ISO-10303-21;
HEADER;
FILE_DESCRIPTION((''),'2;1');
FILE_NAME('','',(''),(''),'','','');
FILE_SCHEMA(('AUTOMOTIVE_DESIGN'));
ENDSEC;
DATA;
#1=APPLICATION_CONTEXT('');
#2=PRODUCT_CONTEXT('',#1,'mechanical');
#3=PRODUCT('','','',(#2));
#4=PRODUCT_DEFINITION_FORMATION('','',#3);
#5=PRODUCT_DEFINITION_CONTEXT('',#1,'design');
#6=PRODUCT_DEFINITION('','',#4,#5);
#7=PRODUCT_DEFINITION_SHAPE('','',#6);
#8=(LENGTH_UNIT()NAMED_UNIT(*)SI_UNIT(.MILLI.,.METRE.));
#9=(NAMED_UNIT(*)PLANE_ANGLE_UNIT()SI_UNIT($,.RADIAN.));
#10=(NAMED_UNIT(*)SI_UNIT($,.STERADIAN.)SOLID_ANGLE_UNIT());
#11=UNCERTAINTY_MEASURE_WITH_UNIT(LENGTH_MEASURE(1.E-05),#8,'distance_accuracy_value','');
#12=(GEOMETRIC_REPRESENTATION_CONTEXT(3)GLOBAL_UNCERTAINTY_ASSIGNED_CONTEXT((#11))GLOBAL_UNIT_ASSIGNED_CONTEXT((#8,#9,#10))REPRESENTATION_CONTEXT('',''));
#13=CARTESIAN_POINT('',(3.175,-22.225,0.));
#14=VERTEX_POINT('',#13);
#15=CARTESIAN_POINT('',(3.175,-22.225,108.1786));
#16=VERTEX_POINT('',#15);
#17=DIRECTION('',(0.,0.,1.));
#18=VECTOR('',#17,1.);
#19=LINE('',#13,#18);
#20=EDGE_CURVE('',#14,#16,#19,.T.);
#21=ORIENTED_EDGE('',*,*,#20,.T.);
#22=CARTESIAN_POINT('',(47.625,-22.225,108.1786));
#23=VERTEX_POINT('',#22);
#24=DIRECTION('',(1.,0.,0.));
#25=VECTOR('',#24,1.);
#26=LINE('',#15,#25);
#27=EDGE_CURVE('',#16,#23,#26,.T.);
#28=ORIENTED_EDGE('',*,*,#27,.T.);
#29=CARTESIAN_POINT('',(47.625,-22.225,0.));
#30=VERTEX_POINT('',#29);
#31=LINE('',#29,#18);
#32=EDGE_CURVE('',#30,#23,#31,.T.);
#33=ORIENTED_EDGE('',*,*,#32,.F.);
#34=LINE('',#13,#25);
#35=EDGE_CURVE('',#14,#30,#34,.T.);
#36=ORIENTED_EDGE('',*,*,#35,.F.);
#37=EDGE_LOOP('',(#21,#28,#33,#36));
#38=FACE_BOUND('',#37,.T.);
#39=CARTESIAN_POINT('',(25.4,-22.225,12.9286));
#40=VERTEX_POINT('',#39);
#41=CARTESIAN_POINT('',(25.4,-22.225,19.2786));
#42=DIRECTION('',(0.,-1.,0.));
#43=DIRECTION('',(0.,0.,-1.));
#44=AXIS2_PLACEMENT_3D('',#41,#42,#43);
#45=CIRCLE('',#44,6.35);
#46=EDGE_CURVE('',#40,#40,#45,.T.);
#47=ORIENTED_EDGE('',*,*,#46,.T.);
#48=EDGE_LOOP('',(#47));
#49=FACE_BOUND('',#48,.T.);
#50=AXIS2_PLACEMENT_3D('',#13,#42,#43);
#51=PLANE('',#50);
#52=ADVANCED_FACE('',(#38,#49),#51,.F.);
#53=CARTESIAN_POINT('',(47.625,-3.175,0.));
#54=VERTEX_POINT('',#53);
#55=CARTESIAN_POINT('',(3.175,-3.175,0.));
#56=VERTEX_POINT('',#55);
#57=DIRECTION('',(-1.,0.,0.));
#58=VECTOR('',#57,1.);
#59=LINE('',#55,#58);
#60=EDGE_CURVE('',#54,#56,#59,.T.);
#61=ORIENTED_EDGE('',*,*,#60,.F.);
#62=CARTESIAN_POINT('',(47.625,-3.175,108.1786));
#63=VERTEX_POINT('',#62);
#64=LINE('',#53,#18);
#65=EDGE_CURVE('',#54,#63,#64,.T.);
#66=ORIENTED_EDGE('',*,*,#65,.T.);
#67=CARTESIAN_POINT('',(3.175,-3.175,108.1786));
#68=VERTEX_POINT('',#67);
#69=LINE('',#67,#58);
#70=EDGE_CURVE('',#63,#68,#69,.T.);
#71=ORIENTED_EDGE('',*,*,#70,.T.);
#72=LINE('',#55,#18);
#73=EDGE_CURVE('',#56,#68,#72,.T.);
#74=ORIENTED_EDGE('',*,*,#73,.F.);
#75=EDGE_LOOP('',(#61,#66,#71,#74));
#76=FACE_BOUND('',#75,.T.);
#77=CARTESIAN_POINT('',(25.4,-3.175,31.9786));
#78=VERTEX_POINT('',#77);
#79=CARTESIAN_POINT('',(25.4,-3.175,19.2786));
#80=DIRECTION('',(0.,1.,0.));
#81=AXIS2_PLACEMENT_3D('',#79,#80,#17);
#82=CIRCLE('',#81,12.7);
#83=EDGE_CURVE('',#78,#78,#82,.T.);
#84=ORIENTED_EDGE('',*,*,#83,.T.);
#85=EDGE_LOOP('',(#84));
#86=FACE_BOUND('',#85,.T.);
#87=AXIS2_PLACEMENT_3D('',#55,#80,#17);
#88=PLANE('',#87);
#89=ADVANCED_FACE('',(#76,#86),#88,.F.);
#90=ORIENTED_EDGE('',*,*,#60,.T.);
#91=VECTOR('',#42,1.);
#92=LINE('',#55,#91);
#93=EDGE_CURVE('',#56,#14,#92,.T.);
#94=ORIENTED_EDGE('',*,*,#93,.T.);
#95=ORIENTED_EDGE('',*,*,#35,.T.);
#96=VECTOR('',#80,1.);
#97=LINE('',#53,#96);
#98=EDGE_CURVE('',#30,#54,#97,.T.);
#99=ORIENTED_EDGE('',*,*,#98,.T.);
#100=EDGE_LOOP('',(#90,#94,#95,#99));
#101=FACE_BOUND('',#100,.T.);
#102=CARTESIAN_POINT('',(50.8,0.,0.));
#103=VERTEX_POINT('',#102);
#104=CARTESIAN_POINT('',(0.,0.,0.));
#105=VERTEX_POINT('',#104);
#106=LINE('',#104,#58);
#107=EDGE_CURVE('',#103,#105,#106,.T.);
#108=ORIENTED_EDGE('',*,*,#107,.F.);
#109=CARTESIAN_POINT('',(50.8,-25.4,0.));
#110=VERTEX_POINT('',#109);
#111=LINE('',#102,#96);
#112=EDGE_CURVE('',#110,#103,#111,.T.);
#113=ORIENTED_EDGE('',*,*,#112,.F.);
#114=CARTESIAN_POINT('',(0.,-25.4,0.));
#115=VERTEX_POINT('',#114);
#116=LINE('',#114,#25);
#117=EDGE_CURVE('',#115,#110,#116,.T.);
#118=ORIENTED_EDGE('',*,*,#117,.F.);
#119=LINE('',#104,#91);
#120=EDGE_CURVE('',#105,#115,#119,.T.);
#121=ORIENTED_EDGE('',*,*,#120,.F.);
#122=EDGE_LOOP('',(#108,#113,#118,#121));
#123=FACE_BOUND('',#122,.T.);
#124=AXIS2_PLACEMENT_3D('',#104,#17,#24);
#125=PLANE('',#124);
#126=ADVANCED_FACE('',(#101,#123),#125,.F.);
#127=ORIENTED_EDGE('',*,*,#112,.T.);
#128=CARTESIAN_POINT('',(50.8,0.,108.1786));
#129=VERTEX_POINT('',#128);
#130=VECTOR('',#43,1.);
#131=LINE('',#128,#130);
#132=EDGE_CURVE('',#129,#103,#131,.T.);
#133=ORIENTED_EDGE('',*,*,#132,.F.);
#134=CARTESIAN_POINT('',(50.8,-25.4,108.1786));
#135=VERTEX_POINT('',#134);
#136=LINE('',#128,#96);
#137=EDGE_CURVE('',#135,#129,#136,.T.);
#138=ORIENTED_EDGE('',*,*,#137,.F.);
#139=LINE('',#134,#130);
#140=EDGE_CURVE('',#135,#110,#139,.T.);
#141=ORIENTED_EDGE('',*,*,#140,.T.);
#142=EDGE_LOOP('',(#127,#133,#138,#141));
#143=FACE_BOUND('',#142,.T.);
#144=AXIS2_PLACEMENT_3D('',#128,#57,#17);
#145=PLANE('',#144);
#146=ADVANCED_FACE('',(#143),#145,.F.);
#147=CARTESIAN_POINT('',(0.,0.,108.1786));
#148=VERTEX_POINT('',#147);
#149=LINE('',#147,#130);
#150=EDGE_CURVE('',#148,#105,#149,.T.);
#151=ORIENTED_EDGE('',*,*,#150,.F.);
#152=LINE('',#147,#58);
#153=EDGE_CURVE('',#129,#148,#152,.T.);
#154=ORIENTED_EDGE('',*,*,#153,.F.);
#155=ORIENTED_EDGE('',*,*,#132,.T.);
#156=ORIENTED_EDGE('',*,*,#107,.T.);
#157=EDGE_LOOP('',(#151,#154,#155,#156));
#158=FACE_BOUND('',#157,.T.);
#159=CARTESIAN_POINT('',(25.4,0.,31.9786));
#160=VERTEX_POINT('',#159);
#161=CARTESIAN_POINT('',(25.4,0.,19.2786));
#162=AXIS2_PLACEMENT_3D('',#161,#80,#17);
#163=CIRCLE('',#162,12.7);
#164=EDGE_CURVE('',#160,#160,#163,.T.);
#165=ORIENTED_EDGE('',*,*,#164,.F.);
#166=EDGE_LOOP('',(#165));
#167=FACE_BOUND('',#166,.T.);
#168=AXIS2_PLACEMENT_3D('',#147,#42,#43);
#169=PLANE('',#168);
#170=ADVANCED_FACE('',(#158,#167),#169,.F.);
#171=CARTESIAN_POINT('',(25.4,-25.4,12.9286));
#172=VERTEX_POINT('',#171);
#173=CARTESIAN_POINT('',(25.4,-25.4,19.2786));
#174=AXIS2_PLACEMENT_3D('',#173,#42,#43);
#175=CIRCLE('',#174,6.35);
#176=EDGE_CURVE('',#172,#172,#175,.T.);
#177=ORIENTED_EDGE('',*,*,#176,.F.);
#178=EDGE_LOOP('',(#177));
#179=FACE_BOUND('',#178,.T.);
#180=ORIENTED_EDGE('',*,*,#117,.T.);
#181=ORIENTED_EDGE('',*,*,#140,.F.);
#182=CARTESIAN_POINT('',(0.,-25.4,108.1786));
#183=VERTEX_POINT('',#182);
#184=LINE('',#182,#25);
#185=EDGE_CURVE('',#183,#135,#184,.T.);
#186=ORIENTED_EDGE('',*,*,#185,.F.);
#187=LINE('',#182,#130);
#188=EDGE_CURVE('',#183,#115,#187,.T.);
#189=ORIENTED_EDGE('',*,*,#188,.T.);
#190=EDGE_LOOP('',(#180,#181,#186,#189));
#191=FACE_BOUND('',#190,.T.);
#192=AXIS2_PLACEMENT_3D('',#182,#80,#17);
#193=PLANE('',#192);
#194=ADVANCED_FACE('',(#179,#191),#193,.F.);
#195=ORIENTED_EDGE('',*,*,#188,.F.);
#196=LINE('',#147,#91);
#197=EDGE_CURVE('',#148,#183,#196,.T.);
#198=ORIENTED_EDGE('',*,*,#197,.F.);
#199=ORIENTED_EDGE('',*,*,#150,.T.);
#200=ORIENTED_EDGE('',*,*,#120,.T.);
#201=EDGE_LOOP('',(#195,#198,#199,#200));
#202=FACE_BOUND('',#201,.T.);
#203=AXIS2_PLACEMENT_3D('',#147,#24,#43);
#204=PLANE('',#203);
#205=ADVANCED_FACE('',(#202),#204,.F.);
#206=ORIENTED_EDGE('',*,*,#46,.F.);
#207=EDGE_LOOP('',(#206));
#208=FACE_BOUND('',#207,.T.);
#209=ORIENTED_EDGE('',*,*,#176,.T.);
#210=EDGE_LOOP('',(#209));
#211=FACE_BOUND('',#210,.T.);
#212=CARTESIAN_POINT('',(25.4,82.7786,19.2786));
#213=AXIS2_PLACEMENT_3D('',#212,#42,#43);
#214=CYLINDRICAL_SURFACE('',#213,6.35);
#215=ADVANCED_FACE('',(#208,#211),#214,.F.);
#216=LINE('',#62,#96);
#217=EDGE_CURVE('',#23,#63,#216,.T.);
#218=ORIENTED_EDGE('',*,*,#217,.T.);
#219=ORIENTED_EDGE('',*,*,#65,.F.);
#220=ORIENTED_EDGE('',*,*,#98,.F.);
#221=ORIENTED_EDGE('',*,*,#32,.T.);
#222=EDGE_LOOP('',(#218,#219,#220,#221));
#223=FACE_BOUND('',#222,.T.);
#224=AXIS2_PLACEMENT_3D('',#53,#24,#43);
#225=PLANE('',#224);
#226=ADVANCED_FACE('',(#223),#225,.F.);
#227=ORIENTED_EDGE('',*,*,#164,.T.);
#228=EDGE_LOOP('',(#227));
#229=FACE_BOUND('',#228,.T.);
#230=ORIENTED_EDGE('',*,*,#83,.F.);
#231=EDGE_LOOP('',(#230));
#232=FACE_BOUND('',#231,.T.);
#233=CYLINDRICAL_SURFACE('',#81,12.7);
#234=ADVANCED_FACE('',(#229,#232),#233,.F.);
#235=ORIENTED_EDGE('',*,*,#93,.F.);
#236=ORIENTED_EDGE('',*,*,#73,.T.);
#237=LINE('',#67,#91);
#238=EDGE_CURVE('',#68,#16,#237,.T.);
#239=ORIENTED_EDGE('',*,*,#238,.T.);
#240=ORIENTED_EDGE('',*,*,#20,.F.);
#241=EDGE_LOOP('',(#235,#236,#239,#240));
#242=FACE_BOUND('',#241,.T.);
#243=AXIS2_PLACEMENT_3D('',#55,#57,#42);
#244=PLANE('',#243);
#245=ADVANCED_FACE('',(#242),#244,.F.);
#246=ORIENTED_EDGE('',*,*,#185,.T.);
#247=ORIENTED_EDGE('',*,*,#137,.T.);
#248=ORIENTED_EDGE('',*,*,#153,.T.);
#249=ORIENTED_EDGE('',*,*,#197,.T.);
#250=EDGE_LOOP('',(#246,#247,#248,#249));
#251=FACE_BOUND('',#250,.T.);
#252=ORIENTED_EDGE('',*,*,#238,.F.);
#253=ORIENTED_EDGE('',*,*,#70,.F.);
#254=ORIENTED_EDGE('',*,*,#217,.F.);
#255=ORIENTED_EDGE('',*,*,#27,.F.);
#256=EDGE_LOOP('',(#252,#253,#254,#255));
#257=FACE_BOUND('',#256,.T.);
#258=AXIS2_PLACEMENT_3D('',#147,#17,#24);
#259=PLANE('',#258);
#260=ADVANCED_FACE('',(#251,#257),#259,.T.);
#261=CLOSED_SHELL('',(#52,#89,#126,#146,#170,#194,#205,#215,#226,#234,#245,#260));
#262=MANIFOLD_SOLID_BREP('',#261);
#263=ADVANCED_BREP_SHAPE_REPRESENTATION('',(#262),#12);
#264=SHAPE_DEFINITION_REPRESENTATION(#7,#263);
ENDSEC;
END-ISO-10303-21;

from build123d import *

# Parameters (mm, degrees)
SKETCH1_W           = 50.8
SKETCH1_H           = 25.4
BOSS_EXTRUDE1_DEPTH = 108.1786
SKETCH2_W           = 44.45
SKETCH2_H           = 19.05
CUT_EXTRUDE1_DEPTH  = 123.181870578
SKETCH3_R           = 12.7
CUT_EXTRUDE2_DEPTH  = 3.175
SKETCH5_R           = 6.35
CUT_EXTRUDE3_DEPTH  = 108.1786


with BuildPart() as part:
    # Sketch1 → Boss-Extrude1 (new body)
    with BuildSketch(Plane.XY):
        with Locations((25.4, -12.7)):
            Rectangle(SKETCH1_W, SKETCH1_H)
    extrude(amount=BOSS_EXTRUDE1_DEPTH)

    # Sketch2 → Cut-Extrude1 (cut, through all)
    with BuildSketch(Plane.XY.offset(108.1786)):
        with Locations((25.4, -12.7)):
            Rectangle(SKETCH2_W, SKETCH2_H)
    extrude(amount=-CUT_EXTRUDE1_DEPTH, mode=Mode.SUBTRACT)

    # Sketch3 → Cut-Extrude2 (cut)
    with BuildSketch(Plane(origin=(0, 0, 0), x_dir=(1, 0, 0), z_dir=(0, 1, 0))):
        with Locations(Location((25.4, -19.2786, 0), (0, 0, 270))):
            Circle(SKETCH3_R)
    extrude(amount=-CUT_EXTRUDE2_DEPTH, mode=Mode.SUBTRACT)

    # Sketch5 → Cut-Extrude3 (cut)
    with BuildSketch(Plane.XZ.offset(25.4)):
        with Locations(Location((25.4, 19.2786, 0), (0, 0, 270))):
            Circle(SKETCH5_R)
    extrude(amount=-CUT_EXTRUDE3_DEPTH, mode=Mode.SUBTRACT)


solid = part.part
